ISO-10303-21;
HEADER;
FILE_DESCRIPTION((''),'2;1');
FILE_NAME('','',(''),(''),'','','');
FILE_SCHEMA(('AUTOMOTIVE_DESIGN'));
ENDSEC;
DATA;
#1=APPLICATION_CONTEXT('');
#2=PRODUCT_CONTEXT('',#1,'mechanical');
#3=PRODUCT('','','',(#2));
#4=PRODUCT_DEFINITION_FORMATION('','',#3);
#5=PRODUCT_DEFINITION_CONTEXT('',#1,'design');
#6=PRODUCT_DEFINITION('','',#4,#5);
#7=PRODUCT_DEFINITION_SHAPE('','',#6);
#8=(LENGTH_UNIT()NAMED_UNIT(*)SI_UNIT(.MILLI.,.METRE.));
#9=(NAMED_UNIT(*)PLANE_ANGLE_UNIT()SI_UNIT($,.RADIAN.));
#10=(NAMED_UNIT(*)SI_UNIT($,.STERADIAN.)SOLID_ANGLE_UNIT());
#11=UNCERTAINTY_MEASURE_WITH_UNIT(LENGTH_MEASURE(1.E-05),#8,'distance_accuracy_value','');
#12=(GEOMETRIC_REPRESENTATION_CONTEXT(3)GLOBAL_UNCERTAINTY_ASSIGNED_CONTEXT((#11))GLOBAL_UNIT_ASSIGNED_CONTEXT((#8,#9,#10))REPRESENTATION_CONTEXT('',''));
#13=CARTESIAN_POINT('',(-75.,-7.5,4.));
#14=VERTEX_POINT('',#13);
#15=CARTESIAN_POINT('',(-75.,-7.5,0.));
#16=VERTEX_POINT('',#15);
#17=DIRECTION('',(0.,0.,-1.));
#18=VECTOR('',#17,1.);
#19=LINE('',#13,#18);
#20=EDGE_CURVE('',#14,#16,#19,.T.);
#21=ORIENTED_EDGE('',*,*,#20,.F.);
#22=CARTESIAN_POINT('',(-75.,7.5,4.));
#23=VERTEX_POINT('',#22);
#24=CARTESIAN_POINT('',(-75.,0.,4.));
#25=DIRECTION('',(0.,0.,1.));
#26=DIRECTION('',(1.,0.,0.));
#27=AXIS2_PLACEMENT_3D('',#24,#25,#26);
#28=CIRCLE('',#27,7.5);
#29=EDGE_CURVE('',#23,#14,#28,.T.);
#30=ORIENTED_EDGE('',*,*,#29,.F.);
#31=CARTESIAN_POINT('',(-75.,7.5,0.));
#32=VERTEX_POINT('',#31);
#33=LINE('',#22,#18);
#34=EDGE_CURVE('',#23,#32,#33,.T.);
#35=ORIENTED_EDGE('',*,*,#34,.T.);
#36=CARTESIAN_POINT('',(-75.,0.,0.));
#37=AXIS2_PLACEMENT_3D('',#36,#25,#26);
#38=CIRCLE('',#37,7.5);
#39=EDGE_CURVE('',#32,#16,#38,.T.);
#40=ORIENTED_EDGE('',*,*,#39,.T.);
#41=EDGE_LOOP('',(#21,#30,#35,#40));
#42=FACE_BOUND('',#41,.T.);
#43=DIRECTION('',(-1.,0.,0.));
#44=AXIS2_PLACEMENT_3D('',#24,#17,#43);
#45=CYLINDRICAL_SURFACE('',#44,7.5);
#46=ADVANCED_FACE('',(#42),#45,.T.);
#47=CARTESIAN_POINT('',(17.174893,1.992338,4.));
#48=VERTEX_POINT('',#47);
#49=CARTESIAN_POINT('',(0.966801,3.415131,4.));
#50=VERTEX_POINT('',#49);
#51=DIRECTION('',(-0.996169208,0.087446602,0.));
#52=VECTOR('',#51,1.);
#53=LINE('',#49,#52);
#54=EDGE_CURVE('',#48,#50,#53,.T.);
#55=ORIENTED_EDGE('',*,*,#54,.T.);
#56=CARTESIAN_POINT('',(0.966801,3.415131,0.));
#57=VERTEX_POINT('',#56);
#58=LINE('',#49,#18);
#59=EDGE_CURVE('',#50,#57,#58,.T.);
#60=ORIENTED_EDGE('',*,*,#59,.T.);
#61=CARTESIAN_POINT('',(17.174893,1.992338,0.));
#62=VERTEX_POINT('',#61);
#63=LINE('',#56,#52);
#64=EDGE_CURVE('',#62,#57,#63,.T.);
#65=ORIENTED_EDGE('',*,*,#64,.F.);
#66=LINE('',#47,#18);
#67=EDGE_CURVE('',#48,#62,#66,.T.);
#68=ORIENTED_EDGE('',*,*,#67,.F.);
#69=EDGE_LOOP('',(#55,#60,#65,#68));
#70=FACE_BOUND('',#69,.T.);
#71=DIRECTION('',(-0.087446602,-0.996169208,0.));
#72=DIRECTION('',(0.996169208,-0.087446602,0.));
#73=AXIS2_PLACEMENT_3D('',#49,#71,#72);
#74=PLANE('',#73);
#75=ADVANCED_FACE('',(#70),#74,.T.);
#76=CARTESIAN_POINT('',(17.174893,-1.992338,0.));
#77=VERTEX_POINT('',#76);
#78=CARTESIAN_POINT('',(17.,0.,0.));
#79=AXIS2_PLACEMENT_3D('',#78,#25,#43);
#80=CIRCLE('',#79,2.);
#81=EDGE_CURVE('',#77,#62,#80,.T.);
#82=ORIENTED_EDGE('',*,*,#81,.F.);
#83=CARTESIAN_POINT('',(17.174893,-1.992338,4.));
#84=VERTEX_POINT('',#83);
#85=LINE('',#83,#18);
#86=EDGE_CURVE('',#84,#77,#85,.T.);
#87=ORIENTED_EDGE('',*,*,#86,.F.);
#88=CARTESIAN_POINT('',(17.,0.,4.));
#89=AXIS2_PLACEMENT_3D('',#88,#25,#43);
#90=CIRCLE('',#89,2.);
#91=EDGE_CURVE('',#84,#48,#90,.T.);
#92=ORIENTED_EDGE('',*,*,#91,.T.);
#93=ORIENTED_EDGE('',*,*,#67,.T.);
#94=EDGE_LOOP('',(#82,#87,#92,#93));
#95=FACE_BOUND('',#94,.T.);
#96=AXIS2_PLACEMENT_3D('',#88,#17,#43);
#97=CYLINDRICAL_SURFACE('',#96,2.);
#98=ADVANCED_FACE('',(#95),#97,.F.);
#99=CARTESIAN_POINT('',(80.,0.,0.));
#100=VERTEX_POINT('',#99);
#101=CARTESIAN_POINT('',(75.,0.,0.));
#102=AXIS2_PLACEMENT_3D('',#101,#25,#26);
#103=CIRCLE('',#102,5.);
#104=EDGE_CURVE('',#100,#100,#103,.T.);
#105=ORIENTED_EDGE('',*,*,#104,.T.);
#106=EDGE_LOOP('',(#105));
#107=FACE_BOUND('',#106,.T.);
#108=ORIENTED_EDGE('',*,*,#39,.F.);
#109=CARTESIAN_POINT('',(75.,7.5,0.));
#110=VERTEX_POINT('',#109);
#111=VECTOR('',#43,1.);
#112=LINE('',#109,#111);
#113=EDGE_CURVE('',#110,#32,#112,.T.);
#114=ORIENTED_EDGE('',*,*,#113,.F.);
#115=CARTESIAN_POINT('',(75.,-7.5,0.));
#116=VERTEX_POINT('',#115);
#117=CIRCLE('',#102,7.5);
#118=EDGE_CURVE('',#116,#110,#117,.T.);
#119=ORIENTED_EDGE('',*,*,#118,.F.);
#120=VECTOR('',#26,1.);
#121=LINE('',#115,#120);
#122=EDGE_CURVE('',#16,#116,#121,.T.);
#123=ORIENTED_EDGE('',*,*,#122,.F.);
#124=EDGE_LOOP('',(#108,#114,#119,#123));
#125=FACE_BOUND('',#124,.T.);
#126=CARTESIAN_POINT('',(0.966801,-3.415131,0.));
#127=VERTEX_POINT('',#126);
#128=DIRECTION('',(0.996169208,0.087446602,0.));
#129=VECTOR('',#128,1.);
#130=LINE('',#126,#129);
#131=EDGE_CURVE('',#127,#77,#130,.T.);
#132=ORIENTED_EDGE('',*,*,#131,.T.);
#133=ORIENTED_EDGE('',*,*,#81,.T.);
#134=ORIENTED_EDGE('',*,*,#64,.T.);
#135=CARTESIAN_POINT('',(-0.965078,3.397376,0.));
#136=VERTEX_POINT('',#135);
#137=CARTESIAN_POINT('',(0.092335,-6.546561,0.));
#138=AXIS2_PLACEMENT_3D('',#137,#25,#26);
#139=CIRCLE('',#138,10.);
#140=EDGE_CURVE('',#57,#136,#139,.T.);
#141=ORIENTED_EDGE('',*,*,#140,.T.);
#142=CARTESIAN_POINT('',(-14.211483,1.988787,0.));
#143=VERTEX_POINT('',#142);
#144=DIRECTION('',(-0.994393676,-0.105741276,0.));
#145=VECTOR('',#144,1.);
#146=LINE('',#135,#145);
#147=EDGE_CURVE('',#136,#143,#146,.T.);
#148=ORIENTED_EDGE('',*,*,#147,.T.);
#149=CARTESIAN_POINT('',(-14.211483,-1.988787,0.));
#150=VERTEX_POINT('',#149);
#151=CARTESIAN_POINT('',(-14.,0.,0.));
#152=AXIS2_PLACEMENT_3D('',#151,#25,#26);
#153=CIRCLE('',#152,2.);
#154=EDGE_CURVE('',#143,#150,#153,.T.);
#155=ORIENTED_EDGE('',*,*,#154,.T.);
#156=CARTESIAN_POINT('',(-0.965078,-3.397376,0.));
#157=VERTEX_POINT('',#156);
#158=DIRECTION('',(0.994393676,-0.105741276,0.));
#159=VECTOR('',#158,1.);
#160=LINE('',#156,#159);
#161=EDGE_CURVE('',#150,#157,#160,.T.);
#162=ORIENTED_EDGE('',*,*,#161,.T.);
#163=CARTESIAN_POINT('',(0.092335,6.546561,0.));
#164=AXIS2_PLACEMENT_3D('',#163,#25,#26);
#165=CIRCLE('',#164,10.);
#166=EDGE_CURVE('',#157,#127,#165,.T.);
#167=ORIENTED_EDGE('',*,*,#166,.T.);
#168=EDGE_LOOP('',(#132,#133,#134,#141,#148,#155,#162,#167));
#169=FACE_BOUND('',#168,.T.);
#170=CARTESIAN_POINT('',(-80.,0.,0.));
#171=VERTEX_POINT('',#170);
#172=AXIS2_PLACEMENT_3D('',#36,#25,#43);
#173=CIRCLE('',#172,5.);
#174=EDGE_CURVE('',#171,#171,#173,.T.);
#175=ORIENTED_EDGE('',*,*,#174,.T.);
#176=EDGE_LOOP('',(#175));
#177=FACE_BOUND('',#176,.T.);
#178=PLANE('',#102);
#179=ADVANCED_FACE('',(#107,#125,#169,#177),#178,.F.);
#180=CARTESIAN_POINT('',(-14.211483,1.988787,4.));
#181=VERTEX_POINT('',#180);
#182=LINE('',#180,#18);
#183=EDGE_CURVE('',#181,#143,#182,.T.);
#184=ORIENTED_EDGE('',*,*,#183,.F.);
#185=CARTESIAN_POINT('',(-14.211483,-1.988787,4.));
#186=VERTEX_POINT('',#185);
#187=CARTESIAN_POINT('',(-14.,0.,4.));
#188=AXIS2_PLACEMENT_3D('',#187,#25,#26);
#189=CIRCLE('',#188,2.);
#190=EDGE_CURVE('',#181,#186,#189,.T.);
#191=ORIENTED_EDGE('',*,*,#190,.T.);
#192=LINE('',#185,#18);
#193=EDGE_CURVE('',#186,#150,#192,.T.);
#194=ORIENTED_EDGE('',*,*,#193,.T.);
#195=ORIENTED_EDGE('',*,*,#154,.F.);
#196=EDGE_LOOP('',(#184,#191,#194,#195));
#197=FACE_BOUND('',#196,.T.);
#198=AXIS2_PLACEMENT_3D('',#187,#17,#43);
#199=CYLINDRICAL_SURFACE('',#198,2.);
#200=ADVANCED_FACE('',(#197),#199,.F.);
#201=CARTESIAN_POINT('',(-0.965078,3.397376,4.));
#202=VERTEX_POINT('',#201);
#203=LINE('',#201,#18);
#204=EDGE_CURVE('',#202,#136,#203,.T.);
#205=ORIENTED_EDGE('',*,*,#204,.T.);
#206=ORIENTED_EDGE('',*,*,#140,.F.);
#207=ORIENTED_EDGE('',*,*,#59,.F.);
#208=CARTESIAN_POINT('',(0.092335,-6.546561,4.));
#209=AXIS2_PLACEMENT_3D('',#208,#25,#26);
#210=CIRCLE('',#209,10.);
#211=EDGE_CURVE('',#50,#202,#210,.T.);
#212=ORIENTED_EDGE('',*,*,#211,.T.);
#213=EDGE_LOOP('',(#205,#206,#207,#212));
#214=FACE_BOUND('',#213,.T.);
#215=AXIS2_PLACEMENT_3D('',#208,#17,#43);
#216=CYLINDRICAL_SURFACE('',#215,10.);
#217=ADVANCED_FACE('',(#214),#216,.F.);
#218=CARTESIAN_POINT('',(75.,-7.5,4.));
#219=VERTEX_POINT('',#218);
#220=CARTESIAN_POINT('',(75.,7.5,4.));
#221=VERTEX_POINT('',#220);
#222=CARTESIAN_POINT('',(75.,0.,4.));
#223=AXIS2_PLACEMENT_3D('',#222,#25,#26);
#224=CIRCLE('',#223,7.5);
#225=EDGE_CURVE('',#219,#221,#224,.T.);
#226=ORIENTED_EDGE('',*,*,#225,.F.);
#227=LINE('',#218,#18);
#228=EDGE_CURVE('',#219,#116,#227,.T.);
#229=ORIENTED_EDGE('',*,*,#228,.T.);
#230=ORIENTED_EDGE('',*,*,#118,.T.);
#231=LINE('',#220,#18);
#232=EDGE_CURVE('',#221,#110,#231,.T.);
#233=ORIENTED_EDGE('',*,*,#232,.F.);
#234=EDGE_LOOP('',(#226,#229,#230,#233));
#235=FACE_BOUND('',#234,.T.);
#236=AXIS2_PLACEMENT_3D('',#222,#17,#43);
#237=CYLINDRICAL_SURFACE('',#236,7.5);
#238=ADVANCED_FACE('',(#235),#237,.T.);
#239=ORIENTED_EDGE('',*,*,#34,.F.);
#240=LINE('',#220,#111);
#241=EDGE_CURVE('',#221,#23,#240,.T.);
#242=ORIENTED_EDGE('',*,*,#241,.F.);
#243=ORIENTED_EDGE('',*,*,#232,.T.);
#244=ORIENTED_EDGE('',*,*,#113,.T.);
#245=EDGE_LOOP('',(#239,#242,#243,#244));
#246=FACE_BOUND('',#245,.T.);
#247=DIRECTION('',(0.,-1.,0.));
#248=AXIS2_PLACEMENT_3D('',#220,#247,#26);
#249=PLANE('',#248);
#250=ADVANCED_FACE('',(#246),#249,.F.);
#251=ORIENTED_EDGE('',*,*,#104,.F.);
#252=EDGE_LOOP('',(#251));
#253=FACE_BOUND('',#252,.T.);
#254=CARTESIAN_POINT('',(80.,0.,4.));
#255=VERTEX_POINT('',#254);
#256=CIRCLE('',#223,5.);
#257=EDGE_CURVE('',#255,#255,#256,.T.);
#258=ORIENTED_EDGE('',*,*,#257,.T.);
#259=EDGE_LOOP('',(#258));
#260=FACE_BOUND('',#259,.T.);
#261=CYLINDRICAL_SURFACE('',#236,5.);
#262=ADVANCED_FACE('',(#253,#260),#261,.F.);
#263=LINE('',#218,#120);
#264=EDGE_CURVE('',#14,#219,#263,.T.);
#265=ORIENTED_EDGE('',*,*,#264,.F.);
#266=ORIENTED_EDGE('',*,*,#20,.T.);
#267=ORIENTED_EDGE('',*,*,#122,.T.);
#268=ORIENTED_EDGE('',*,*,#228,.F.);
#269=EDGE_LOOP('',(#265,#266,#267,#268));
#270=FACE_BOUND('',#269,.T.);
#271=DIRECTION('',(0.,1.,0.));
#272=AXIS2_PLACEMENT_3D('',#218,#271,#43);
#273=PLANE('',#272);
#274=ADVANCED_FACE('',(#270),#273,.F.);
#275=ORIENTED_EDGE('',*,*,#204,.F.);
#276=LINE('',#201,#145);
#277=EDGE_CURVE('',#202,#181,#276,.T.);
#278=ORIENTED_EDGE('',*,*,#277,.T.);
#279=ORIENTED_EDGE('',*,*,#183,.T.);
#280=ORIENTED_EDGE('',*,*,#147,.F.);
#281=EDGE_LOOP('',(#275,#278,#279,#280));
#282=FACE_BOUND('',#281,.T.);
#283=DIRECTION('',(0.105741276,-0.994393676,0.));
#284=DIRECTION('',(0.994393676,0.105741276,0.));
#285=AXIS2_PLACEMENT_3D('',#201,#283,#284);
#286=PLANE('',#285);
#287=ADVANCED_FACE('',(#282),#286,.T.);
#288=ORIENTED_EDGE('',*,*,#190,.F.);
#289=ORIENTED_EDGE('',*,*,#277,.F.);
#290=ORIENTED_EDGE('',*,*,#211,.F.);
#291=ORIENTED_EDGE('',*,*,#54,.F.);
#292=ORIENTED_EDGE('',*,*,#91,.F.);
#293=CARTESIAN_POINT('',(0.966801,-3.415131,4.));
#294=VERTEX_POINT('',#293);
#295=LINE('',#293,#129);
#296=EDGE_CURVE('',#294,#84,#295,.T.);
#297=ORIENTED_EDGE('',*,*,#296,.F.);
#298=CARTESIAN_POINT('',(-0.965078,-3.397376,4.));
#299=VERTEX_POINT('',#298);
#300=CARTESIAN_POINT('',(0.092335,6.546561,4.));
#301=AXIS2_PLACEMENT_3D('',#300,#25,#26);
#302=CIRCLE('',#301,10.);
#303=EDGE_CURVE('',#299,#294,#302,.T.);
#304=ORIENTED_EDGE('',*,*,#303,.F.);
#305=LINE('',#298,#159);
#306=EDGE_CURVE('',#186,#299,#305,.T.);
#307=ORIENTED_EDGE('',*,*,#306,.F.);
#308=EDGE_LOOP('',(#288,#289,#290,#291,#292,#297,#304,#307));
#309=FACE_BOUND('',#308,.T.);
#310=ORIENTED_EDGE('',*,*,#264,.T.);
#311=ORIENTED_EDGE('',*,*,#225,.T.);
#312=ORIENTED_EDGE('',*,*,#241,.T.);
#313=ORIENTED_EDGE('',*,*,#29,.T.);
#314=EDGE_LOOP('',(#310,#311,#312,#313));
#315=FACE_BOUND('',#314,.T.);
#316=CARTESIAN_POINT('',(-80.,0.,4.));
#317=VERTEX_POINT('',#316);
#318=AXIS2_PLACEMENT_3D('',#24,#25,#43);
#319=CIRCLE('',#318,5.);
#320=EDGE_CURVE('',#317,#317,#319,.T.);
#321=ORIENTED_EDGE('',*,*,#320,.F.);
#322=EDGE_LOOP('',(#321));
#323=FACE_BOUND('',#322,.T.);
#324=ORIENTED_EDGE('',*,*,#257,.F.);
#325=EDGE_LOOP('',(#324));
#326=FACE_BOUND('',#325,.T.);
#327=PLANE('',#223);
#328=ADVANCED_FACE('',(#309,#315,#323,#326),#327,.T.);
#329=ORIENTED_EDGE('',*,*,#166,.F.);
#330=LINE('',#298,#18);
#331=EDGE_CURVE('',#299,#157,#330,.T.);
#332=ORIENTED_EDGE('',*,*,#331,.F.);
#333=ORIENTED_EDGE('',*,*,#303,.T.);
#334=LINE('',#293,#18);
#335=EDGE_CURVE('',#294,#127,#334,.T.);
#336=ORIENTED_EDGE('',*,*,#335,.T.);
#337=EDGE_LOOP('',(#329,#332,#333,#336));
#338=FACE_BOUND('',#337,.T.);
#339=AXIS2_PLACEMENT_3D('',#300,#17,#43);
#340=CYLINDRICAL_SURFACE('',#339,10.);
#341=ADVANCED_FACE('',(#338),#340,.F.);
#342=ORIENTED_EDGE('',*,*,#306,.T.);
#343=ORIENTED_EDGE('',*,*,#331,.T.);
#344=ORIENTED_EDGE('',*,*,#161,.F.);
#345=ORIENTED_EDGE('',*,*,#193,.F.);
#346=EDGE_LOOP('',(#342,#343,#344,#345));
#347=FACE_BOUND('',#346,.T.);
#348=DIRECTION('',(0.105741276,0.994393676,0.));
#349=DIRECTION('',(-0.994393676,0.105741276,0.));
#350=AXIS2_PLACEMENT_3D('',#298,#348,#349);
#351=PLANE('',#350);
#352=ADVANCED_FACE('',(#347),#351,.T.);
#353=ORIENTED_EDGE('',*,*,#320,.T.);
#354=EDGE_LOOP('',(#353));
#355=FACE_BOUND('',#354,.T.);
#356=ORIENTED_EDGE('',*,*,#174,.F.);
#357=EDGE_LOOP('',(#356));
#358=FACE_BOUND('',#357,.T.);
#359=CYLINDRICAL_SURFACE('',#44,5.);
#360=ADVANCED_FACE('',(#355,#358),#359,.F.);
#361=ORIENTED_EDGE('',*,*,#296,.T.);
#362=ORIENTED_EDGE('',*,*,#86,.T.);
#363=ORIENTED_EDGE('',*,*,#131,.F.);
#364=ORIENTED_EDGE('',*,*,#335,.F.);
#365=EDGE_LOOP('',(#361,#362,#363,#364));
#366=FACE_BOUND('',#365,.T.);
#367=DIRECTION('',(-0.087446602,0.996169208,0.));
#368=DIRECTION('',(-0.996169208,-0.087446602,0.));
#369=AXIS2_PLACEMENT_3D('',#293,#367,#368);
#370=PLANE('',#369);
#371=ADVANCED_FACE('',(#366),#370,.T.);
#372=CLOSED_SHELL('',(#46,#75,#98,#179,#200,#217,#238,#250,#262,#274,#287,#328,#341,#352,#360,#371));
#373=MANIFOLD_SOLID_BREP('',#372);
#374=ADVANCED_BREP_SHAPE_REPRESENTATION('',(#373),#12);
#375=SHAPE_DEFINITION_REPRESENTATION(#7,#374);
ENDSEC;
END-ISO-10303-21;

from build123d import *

# Parameters (mm, degrees)
SKETCH1_R           = 5
BOSS_EXTRUDE1_DEPTH = 4


with BuildPart() as part:
    # Sketch1 → Boss-Extrude1 (new body)
    with BuildSketch(Plane.XY):
        with BuildLine():
            Line((75, -7.5), (-75, -7.5))
            ThreePointArc((-75, -7.5), (-82.5, 0), (-75, 7.5))
            Line((-75, 7.5), (75, 7.5))
            ThreePointArc((75, 7.5), (82.5, 0), (75, -7.5))
        make_face()
        with Locations((75, 0)):
            Circle(SKETCH1_R, mode=Mode.SUBTRACT)
        with Locations(Location((-75, 0, 0), (0, 0, 180))):
            Circle(SKETCH1_R, mode=Mode.SUBTRACT)
        with BuildLine():
            Line((-0.965077795, 3.3973761), (-14.211482552, 1.988787352))
            ThreePointArc((-14.211482552, 1.988787352), (-16, 0), (-14.211482552, -1.988787352))
            Line((-14.211482552, -1.988787352), (-0.965077795, -3.3973761))
            ThreePointArc((-0.965077795, -3.3973761), (0.000431807, -3.453017023), (0.966800983, -3.415131426))
            Line((0.966800983, -3.415131426), (17.174893203, -1.992338417))
            ThreePointArc((17.174893203, -1.992338417), (19, 0), (17.174893203, 1.992338417))
            Line((17.174893203, 1.992338417), (0.966800983, 3.415131426))
            ThreePointArc((0.966800983, 3.415131426), (0.000431807, 3.453017023), (-0.965077795, 3.3973761))
        make_face(mode=Mode.SUBTRACT)
    extrude(amount=BOSS_EXTRUDE1_DEPTH)


solid = part.part
